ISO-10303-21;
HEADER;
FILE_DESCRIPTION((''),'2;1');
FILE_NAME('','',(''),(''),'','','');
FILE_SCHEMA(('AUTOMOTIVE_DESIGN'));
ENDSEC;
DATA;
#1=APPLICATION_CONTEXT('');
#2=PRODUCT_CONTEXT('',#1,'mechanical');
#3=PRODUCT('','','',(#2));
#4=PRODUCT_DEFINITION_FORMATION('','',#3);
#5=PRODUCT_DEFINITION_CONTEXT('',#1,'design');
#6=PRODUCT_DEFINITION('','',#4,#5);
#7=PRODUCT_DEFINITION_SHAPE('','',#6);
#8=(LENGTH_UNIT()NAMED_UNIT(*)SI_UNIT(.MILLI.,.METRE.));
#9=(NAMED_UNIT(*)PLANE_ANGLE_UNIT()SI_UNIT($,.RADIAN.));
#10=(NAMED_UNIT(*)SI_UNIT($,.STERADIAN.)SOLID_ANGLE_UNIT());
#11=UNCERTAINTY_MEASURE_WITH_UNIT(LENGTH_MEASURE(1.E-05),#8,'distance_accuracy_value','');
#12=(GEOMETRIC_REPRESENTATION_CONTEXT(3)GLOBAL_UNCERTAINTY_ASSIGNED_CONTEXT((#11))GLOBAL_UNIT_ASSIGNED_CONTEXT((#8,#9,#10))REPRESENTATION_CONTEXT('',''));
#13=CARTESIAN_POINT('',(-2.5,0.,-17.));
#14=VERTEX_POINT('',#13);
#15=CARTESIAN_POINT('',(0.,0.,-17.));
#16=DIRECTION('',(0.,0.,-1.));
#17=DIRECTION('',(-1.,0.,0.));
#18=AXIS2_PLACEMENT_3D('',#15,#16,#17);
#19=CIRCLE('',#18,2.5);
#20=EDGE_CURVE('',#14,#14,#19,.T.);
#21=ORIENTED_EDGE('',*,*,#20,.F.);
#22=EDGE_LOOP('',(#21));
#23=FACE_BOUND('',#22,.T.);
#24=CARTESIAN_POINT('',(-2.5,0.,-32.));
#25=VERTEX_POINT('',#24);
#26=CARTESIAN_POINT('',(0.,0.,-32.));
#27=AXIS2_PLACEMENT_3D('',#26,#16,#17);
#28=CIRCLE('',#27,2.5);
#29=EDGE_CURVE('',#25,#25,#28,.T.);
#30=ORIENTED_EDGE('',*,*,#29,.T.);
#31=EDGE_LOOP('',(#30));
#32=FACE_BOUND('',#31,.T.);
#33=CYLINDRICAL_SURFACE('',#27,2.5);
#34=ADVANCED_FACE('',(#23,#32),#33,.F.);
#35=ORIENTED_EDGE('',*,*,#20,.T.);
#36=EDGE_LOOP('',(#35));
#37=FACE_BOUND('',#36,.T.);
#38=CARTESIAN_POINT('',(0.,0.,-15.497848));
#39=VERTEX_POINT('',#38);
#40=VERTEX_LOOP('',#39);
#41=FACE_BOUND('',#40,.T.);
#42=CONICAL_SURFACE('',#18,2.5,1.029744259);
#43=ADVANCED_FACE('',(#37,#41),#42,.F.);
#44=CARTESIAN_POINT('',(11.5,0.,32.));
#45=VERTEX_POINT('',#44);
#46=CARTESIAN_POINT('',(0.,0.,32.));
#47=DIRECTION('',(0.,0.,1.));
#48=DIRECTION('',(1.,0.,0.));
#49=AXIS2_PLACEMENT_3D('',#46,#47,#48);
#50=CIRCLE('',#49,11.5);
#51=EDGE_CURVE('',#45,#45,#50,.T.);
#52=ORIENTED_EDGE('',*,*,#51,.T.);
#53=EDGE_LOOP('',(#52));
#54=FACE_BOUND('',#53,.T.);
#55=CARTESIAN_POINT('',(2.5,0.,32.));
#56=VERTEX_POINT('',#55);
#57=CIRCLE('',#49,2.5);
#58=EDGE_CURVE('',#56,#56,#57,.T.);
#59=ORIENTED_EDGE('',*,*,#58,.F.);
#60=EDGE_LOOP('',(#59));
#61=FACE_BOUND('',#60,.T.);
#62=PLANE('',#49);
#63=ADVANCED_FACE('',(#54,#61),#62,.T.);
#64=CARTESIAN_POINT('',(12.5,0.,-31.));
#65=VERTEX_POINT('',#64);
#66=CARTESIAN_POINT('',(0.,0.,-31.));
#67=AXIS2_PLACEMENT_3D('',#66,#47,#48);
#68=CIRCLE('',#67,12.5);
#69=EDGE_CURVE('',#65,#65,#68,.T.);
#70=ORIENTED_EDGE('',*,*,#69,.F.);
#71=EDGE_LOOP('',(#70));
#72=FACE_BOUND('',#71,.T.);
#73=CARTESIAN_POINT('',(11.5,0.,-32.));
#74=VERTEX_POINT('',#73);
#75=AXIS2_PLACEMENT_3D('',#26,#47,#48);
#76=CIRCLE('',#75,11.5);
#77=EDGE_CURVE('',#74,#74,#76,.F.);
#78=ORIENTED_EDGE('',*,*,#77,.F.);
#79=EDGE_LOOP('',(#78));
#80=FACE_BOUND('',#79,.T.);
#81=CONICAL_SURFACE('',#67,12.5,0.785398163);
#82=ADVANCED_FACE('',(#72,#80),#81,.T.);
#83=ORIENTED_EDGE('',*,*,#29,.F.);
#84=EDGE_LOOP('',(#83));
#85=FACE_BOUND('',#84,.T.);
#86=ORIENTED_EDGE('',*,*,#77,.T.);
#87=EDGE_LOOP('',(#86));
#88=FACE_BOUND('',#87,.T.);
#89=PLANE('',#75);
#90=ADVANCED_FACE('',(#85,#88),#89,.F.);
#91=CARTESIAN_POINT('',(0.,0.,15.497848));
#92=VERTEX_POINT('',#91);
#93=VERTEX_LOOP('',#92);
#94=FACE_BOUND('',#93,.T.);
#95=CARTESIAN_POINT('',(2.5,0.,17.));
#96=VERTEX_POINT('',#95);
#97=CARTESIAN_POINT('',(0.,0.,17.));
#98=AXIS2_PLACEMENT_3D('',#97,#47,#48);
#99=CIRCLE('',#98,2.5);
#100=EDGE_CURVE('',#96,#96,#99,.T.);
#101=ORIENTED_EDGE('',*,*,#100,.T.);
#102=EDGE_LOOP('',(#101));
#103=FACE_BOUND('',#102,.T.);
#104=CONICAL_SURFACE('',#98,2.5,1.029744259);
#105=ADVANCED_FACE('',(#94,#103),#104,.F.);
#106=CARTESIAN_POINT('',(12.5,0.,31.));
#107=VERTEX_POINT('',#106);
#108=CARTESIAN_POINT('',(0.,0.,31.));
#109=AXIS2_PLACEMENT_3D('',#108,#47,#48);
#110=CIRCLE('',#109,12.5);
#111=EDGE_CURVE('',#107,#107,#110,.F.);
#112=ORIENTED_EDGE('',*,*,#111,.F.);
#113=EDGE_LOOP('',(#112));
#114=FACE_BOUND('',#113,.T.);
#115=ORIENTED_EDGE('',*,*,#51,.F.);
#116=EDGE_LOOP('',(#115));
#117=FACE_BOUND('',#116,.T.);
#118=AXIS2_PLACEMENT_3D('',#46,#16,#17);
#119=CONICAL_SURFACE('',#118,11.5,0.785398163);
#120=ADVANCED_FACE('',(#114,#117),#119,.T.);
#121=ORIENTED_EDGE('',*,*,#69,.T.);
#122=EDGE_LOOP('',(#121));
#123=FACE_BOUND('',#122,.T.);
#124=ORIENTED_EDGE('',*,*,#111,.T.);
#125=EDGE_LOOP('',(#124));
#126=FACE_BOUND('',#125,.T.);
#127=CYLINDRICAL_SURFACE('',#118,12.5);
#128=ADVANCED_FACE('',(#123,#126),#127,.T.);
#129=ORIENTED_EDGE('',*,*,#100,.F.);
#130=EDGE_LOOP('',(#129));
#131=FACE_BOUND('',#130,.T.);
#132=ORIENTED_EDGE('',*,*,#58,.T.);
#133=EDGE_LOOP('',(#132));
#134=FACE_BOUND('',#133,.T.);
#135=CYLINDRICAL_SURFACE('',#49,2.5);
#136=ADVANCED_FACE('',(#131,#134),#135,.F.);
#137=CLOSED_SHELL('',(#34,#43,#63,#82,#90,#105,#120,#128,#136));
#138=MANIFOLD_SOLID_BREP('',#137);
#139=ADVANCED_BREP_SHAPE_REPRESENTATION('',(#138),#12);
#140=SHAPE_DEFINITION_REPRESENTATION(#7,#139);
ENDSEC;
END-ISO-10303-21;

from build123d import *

# Parameters (mm, degrees)
SKETCH1_R           = 12.5
BOSS_EXTRUDE1_DEPTH = 32
CHAMFER1_SIZE       = 1


with BuildPart() as part:
    # Sketch1 → Boss-Extrude1 (new body, symmetric)
    with BuildSketch(Plane.XY):
        Circle(SKETCH1_R)
    extrude(amount=BOSS_EXTRUDE1_DEPTH, both=True)

    # Chamfer1
    chamfer1_edges = [part.edges().sort_by_distance(p)[0] for p in [
        (-12.5, 0, -32),
        (-12.5, 0, 32),
    ]]
    chamfer(chamfer1_edges, length=CHAMFER1_SIZE)

    # Sketch4 → M6 Tapped Hole1 (revolve, cut)
    with BuildSketch(Plane(origin=(0, 0, 32), x_dir=(0, -1, 0), z_dir=(1, 0, 0))):
        Polygon((0, 0), (0, 16.502151548), (2.5, 15), (2.5, 0), align=None)
    m6_tapped_hole1 = revolve(axis=Axis((0, 0, 38.35), (0, 0, -1)), mode=Mode.SUBTRACT)

    # Mirror1: M6 Tapped Hole1 across plane
    add(m6_tapped_hole1.mirror(Plane.XY), mode=Mode.SUBTRACT)


solid = part.part
